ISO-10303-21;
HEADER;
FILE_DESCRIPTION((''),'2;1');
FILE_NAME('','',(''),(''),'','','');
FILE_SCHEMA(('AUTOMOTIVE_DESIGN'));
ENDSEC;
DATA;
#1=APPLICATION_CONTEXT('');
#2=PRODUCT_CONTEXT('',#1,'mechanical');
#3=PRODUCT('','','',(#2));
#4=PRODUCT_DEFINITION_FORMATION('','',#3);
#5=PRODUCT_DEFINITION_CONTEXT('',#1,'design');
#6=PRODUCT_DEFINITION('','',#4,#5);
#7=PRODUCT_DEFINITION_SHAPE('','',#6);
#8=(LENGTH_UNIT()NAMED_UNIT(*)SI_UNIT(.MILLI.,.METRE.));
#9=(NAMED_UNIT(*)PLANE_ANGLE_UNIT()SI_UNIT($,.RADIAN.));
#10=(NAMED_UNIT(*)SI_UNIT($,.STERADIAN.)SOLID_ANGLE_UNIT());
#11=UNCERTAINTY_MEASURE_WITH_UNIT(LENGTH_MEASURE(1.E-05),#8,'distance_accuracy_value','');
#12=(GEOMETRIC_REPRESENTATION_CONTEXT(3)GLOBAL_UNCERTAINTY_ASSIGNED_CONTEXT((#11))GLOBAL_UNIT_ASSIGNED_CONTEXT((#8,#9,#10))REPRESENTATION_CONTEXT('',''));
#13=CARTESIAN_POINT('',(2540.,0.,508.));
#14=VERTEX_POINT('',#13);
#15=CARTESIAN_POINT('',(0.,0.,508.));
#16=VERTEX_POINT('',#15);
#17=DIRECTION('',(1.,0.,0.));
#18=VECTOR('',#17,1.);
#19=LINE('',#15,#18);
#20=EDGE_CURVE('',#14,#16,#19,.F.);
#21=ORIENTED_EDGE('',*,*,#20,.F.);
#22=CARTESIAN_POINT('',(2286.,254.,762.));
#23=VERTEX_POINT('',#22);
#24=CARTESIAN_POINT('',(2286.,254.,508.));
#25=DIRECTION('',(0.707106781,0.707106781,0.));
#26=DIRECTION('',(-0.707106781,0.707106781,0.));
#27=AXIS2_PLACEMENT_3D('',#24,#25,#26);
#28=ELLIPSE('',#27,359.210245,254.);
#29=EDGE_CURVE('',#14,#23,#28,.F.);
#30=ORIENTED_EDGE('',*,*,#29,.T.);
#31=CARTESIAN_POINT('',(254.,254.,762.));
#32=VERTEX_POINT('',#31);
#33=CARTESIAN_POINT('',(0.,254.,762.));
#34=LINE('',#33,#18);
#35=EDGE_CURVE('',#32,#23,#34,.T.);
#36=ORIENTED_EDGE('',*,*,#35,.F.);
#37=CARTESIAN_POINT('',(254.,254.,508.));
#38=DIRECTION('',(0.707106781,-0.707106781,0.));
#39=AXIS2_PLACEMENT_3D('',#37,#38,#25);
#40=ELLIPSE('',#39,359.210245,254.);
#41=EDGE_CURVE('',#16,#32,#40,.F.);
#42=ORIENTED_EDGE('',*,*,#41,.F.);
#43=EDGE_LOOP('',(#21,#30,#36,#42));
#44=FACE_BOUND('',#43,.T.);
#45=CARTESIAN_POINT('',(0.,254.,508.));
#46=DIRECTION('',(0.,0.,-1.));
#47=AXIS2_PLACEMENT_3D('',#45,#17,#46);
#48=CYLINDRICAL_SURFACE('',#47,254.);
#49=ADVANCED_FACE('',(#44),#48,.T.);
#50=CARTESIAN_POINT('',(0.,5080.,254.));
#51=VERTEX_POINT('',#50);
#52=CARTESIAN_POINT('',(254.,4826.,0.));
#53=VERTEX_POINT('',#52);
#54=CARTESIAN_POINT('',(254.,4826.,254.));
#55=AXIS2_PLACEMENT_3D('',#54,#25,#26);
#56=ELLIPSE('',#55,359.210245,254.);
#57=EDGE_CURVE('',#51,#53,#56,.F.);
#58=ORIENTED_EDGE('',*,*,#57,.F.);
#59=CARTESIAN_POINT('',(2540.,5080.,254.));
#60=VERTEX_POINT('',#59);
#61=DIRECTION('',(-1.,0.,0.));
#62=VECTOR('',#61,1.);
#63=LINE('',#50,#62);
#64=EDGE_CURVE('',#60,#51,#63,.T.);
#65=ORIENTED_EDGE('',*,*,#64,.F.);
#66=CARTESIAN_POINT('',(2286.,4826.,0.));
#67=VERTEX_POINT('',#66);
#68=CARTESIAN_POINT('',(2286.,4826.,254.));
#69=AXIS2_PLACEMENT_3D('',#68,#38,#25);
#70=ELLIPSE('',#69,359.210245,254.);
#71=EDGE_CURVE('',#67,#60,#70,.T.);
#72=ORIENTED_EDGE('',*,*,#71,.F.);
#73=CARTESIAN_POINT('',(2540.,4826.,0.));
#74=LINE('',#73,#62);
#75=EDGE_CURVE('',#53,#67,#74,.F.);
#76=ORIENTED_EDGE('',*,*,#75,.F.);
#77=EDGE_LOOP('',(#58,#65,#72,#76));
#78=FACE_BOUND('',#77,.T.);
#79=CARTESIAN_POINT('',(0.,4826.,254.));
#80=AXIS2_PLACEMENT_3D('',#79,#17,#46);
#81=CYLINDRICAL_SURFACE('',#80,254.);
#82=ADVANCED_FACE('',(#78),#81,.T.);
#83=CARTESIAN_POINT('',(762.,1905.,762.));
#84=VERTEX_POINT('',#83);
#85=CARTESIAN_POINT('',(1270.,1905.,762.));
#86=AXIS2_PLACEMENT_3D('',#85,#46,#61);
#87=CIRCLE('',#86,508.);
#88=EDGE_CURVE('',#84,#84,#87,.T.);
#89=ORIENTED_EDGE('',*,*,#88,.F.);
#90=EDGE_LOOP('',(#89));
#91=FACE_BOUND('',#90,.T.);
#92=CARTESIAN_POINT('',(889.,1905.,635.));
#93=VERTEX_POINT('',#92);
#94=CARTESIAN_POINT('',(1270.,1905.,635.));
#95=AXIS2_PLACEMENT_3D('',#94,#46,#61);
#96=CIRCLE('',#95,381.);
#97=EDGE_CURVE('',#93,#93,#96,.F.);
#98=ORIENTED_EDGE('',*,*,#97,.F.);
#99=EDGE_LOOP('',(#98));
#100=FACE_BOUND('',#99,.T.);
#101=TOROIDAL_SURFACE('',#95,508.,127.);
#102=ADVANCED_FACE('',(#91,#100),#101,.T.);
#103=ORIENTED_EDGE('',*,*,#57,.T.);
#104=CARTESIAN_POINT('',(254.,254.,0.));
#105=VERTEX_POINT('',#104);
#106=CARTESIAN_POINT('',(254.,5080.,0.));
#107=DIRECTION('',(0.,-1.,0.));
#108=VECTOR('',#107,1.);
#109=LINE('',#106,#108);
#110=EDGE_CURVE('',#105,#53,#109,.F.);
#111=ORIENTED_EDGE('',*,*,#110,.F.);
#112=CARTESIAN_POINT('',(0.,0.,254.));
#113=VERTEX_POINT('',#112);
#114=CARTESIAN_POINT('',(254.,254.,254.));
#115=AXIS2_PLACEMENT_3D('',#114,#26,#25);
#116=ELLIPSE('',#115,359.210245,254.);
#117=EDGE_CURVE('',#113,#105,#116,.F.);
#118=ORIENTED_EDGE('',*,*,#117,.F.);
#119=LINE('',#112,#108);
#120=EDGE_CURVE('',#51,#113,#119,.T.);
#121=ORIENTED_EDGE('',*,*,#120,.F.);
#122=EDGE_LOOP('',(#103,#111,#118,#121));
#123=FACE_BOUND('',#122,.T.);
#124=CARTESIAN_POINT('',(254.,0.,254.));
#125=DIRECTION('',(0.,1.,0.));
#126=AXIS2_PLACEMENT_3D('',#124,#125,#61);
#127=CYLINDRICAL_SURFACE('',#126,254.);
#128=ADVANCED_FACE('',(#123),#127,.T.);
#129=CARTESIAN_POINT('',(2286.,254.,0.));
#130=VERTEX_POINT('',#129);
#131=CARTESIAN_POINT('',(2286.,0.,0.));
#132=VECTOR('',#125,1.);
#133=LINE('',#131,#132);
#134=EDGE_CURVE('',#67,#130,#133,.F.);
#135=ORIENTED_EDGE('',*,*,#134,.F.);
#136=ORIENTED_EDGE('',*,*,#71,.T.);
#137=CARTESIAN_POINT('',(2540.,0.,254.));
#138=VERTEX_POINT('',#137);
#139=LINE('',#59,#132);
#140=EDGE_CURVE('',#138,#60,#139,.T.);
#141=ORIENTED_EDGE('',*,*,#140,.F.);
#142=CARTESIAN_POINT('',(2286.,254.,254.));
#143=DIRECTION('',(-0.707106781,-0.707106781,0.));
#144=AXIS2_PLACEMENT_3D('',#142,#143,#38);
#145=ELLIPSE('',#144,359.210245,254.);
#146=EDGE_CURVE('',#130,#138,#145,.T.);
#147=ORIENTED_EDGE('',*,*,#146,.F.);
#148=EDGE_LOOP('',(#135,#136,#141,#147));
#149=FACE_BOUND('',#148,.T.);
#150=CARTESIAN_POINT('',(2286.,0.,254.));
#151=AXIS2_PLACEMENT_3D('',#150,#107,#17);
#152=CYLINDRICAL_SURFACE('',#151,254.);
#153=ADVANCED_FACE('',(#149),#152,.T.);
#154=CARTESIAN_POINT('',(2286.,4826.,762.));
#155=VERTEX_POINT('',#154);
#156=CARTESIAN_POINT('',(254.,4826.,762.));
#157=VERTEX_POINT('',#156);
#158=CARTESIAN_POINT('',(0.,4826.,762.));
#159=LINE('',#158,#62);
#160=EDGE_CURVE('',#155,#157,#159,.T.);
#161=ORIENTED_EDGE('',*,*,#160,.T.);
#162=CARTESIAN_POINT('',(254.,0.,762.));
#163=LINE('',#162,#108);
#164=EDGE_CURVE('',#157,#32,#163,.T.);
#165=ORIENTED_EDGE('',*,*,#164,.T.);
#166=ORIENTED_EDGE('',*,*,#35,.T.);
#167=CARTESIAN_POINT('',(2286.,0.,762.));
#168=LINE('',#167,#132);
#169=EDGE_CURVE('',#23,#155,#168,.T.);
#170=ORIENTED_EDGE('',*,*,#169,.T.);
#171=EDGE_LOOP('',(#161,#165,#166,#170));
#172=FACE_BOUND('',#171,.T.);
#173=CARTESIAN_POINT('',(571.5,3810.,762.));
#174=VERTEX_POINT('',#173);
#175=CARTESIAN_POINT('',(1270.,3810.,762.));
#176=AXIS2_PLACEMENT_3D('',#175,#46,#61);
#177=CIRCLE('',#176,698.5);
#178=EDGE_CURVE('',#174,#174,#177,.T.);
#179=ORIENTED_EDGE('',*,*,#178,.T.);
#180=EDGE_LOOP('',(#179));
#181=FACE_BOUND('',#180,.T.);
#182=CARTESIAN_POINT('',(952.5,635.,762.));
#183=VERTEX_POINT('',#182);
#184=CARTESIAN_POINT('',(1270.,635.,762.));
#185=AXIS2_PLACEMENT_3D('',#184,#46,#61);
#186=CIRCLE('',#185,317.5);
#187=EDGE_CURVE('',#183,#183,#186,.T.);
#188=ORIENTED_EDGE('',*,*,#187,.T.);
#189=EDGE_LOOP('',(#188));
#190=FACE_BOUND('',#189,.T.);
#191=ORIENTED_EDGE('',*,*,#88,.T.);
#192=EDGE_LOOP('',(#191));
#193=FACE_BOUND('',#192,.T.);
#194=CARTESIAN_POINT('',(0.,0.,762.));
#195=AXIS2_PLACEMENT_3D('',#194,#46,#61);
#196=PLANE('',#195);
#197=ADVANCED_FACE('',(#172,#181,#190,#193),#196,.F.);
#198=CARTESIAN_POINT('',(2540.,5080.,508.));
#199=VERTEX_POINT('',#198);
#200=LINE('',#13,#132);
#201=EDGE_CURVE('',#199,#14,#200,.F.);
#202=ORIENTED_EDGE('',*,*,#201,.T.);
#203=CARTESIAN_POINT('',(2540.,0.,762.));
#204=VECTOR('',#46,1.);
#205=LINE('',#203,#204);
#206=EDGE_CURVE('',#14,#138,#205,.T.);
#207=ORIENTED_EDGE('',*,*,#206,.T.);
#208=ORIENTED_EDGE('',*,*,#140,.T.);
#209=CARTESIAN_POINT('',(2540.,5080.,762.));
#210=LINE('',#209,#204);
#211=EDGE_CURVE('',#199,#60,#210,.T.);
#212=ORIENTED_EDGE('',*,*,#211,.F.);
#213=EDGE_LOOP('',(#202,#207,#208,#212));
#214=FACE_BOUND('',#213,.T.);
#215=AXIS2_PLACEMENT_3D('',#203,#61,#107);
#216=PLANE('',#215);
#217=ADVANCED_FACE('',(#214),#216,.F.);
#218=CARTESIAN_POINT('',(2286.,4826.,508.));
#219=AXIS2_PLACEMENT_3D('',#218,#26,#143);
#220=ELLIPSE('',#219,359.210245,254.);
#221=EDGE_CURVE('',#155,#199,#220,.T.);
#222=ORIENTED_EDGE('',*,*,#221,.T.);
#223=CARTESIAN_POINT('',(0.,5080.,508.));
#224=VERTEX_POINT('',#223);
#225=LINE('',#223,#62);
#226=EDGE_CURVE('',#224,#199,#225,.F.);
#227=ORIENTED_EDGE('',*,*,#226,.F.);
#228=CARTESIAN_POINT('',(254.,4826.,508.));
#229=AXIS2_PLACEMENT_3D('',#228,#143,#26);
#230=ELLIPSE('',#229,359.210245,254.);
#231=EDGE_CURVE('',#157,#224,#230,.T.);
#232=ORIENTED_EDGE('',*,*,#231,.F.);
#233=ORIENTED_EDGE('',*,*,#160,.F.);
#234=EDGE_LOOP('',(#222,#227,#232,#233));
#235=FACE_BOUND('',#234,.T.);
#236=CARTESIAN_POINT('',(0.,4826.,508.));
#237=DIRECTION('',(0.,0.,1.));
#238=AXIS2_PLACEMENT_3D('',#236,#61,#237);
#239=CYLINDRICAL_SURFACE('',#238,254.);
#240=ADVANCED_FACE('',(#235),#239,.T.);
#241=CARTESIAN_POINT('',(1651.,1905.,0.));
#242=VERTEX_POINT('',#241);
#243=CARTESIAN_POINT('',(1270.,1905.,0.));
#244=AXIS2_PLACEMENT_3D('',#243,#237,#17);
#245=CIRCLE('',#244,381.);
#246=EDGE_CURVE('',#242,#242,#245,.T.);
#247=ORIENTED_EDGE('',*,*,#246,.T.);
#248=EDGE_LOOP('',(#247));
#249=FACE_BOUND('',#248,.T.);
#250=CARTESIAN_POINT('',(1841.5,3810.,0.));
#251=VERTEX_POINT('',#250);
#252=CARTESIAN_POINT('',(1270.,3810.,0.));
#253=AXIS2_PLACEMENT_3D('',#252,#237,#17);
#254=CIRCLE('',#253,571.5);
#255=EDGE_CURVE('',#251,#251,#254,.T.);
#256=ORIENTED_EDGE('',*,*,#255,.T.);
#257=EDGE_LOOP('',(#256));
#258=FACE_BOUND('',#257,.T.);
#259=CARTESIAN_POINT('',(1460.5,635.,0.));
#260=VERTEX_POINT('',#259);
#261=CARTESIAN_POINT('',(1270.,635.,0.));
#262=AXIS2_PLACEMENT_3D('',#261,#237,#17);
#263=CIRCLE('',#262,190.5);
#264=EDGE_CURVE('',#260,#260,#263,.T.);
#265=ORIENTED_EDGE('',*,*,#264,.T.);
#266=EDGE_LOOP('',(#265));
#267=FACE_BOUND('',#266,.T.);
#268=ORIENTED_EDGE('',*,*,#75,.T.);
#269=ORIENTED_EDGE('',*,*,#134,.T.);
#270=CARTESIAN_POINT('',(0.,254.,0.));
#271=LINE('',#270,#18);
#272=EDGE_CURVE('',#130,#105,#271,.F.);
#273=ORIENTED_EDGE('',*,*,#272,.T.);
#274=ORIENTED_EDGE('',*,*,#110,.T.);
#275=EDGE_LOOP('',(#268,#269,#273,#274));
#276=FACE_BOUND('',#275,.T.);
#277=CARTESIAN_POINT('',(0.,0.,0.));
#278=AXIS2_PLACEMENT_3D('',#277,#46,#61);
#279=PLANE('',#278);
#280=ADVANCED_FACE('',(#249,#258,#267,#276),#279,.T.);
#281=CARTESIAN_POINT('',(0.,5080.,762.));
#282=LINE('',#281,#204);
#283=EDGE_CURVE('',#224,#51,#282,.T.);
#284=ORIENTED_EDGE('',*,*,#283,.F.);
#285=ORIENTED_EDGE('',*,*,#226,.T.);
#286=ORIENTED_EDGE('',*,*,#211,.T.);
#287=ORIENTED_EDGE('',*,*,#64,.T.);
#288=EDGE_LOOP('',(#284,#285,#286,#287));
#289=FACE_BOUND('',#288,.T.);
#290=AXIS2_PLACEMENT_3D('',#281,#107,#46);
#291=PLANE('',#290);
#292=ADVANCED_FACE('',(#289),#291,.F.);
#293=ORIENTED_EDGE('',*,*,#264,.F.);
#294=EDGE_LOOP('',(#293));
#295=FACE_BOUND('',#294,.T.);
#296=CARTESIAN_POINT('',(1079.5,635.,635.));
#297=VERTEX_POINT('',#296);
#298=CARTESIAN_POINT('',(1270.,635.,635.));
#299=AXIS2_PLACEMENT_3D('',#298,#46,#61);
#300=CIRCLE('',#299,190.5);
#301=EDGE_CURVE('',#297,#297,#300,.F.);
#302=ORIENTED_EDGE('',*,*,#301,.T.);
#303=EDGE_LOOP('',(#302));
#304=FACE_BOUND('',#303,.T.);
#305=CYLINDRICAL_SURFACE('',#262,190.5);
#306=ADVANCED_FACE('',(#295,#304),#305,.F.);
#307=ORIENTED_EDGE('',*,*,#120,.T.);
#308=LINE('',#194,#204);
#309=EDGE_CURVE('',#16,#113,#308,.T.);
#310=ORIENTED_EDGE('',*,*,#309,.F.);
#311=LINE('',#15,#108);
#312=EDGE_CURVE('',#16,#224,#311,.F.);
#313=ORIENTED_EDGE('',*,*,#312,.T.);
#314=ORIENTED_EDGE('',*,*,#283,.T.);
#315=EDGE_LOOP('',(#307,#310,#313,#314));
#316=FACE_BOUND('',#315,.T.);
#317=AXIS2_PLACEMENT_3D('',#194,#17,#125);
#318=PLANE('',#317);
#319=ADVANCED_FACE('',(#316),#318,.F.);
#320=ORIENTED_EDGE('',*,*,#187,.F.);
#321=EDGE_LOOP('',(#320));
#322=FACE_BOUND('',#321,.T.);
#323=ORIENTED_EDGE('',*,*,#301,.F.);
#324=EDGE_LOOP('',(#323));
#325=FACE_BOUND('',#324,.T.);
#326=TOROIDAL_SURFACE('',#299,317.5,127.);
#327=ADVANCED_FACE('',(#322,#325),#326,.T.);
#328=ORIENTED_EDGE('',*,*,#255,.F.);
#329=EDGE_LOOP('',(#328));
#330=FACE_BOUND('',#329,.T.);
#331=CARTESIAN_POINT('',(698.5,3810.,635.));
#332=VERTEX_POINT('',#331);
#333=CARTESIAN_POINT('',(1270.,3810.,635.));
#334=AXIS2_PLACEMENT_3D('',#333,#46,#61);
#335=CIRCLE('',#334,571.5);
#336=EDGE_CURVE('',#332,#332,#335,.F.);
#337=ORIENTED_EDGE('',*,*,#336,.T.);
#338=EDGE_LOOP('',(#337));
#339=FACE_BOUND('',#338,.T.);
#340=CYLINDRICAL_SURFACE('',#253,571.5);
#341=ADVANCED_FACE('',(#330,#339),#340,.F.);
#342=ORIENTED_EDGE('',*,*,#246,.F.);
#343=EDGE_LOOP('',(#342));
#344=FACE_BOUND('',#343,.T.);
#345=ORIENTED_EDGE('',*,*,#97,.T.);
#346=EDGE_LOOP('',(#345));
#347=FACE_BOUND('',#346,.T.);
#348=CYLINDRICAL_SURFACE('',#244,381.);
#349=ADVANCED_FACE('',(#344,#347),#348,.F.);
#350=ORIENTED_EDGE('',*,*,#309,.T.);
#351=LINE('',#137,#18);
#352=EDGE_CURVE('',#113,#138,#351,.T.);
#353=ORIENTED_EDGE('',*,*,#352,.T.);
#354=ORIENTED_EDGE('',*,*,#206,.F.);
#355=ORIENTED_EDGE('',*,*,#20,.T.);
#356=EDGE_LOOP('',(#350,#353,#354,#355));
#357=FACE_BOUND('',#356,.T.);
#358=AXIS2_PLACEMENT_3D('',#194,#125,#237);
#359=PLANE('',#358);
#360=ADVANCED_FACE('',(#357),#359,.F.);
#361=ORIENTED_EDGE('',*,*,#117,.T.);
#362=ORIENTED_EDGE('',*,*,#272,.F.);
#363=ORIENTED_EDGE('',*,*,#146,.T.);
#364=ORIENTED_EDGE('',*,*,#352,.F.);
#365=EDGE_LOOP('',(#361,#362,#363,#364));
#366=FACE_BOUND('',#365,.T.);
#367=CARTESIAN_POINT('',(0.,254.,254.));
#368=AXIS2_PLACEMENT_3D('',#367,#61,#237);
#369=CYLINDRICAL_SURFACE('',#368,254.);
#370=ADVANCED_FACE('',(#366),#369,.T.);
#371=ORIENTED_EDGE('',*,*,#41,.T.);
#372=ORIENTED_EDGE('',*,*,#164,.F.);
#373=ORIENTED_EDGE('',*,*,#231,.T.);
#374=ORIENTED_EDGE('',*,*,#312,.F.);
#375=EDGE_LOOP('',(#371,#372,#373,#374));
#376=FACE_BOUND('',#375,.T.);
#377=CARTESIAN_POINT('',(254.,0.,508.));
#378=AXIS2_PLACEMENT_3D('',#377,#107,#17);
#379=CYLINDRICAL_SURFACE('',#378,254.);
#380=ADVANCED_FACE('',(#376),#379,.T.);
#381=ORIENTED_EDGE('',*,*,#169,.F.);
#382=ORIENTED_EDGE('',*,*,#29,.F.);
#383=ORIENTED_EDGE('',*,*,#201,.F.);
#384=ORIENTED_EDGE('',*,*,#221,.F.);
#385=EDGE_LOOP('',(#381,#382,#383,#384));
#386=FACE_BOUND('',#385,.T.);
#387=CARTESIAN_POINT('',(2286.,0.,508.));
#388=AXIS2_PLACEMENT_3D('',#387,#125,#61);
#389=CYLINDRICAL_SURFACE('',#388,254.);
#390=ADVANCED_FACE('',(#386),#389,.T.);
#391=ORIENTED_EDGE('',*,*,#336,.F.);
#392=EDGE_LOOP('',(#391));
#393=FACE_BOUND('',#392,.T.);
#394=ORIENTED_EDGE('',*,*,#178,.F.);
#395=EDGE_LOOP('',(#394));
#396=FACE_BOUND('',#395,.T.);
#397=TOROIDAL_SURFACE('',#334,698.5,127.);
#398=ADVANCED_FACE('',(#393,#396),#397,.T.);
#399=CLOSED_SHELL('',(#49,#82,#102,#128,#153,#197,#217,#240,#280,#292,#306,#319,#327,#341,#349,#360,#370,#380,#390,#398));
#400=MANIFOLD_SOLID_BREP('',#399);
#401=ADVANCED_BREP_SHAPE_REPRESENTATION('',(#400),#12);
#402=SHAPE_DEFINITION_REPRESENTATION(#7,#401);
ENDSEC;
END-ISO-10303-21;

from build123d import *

# Parameters (mm, degrees)
SKETCH1_W           = 2540
SKETCH1_H           = 5080
BOSS_EXTRUDE1_DEPTH = 762
FILLET1_R           = 254
SKETCH2_R           = 190.5
SKETCH2_R_2         = 381
SKETCH2_R_3         = 571.5
CUT_EXTRUDE1_DEPTH  = 5731.501199721
FILLET2_R           = 127


with BuildPart() as part:
    # Sketch1 → Boss-Extrude1 (new body)
    with BuildSketch(Plane.XY):
        with Locations((1270, 2540)):
            Rectangle(SKETCH1_W, SKETCH1_H)
    extrude(amount=BOSS_EXTRUDE1_DEPTH)

    # Fillet1
    fillet1_edges = [part.edges().sort_by_distance(p)[0] for p in [
        (2540, 2540, 762),
        (1270, 5080, 762),
        (0, 2540, 762),
        (1270, 5080, 0),
        (2540, 2540, 0),
        (1270, 0, 0),
        (0, 2540, 0),
        (1270, 0, 762),
    ]]
    fillet(fillet1_edges, radius=FILLET1_R)

    # Sketch2 → Cut-Extrude1 (cut, through all)
    with BuildSketch(Plane.XY.offset(762)):
        with Locations((1270, 635)):
            Circle(SKETCH2_R)
        with Locations((1270, 1905)):
            Circle(SKETCH2_R_2)
        with Locations((1270, 3810)):
            Circle(SKETCH2_R_3)
    extrude(amount=-CUT_EXTRUDE1_DEPTH, mode=Mode.SUBTRACT)

    # Fillet2
    fillet2_edges = [part.edges().sort_by_distance(p)[0] for p in [
        (1079.5, 635, 762),
        (889, 1905, 762),
        (698.5, 3810, 762),
    ]]
    fillet(fillet2_edges, radius=FILLET2_R)


solid = part.part
